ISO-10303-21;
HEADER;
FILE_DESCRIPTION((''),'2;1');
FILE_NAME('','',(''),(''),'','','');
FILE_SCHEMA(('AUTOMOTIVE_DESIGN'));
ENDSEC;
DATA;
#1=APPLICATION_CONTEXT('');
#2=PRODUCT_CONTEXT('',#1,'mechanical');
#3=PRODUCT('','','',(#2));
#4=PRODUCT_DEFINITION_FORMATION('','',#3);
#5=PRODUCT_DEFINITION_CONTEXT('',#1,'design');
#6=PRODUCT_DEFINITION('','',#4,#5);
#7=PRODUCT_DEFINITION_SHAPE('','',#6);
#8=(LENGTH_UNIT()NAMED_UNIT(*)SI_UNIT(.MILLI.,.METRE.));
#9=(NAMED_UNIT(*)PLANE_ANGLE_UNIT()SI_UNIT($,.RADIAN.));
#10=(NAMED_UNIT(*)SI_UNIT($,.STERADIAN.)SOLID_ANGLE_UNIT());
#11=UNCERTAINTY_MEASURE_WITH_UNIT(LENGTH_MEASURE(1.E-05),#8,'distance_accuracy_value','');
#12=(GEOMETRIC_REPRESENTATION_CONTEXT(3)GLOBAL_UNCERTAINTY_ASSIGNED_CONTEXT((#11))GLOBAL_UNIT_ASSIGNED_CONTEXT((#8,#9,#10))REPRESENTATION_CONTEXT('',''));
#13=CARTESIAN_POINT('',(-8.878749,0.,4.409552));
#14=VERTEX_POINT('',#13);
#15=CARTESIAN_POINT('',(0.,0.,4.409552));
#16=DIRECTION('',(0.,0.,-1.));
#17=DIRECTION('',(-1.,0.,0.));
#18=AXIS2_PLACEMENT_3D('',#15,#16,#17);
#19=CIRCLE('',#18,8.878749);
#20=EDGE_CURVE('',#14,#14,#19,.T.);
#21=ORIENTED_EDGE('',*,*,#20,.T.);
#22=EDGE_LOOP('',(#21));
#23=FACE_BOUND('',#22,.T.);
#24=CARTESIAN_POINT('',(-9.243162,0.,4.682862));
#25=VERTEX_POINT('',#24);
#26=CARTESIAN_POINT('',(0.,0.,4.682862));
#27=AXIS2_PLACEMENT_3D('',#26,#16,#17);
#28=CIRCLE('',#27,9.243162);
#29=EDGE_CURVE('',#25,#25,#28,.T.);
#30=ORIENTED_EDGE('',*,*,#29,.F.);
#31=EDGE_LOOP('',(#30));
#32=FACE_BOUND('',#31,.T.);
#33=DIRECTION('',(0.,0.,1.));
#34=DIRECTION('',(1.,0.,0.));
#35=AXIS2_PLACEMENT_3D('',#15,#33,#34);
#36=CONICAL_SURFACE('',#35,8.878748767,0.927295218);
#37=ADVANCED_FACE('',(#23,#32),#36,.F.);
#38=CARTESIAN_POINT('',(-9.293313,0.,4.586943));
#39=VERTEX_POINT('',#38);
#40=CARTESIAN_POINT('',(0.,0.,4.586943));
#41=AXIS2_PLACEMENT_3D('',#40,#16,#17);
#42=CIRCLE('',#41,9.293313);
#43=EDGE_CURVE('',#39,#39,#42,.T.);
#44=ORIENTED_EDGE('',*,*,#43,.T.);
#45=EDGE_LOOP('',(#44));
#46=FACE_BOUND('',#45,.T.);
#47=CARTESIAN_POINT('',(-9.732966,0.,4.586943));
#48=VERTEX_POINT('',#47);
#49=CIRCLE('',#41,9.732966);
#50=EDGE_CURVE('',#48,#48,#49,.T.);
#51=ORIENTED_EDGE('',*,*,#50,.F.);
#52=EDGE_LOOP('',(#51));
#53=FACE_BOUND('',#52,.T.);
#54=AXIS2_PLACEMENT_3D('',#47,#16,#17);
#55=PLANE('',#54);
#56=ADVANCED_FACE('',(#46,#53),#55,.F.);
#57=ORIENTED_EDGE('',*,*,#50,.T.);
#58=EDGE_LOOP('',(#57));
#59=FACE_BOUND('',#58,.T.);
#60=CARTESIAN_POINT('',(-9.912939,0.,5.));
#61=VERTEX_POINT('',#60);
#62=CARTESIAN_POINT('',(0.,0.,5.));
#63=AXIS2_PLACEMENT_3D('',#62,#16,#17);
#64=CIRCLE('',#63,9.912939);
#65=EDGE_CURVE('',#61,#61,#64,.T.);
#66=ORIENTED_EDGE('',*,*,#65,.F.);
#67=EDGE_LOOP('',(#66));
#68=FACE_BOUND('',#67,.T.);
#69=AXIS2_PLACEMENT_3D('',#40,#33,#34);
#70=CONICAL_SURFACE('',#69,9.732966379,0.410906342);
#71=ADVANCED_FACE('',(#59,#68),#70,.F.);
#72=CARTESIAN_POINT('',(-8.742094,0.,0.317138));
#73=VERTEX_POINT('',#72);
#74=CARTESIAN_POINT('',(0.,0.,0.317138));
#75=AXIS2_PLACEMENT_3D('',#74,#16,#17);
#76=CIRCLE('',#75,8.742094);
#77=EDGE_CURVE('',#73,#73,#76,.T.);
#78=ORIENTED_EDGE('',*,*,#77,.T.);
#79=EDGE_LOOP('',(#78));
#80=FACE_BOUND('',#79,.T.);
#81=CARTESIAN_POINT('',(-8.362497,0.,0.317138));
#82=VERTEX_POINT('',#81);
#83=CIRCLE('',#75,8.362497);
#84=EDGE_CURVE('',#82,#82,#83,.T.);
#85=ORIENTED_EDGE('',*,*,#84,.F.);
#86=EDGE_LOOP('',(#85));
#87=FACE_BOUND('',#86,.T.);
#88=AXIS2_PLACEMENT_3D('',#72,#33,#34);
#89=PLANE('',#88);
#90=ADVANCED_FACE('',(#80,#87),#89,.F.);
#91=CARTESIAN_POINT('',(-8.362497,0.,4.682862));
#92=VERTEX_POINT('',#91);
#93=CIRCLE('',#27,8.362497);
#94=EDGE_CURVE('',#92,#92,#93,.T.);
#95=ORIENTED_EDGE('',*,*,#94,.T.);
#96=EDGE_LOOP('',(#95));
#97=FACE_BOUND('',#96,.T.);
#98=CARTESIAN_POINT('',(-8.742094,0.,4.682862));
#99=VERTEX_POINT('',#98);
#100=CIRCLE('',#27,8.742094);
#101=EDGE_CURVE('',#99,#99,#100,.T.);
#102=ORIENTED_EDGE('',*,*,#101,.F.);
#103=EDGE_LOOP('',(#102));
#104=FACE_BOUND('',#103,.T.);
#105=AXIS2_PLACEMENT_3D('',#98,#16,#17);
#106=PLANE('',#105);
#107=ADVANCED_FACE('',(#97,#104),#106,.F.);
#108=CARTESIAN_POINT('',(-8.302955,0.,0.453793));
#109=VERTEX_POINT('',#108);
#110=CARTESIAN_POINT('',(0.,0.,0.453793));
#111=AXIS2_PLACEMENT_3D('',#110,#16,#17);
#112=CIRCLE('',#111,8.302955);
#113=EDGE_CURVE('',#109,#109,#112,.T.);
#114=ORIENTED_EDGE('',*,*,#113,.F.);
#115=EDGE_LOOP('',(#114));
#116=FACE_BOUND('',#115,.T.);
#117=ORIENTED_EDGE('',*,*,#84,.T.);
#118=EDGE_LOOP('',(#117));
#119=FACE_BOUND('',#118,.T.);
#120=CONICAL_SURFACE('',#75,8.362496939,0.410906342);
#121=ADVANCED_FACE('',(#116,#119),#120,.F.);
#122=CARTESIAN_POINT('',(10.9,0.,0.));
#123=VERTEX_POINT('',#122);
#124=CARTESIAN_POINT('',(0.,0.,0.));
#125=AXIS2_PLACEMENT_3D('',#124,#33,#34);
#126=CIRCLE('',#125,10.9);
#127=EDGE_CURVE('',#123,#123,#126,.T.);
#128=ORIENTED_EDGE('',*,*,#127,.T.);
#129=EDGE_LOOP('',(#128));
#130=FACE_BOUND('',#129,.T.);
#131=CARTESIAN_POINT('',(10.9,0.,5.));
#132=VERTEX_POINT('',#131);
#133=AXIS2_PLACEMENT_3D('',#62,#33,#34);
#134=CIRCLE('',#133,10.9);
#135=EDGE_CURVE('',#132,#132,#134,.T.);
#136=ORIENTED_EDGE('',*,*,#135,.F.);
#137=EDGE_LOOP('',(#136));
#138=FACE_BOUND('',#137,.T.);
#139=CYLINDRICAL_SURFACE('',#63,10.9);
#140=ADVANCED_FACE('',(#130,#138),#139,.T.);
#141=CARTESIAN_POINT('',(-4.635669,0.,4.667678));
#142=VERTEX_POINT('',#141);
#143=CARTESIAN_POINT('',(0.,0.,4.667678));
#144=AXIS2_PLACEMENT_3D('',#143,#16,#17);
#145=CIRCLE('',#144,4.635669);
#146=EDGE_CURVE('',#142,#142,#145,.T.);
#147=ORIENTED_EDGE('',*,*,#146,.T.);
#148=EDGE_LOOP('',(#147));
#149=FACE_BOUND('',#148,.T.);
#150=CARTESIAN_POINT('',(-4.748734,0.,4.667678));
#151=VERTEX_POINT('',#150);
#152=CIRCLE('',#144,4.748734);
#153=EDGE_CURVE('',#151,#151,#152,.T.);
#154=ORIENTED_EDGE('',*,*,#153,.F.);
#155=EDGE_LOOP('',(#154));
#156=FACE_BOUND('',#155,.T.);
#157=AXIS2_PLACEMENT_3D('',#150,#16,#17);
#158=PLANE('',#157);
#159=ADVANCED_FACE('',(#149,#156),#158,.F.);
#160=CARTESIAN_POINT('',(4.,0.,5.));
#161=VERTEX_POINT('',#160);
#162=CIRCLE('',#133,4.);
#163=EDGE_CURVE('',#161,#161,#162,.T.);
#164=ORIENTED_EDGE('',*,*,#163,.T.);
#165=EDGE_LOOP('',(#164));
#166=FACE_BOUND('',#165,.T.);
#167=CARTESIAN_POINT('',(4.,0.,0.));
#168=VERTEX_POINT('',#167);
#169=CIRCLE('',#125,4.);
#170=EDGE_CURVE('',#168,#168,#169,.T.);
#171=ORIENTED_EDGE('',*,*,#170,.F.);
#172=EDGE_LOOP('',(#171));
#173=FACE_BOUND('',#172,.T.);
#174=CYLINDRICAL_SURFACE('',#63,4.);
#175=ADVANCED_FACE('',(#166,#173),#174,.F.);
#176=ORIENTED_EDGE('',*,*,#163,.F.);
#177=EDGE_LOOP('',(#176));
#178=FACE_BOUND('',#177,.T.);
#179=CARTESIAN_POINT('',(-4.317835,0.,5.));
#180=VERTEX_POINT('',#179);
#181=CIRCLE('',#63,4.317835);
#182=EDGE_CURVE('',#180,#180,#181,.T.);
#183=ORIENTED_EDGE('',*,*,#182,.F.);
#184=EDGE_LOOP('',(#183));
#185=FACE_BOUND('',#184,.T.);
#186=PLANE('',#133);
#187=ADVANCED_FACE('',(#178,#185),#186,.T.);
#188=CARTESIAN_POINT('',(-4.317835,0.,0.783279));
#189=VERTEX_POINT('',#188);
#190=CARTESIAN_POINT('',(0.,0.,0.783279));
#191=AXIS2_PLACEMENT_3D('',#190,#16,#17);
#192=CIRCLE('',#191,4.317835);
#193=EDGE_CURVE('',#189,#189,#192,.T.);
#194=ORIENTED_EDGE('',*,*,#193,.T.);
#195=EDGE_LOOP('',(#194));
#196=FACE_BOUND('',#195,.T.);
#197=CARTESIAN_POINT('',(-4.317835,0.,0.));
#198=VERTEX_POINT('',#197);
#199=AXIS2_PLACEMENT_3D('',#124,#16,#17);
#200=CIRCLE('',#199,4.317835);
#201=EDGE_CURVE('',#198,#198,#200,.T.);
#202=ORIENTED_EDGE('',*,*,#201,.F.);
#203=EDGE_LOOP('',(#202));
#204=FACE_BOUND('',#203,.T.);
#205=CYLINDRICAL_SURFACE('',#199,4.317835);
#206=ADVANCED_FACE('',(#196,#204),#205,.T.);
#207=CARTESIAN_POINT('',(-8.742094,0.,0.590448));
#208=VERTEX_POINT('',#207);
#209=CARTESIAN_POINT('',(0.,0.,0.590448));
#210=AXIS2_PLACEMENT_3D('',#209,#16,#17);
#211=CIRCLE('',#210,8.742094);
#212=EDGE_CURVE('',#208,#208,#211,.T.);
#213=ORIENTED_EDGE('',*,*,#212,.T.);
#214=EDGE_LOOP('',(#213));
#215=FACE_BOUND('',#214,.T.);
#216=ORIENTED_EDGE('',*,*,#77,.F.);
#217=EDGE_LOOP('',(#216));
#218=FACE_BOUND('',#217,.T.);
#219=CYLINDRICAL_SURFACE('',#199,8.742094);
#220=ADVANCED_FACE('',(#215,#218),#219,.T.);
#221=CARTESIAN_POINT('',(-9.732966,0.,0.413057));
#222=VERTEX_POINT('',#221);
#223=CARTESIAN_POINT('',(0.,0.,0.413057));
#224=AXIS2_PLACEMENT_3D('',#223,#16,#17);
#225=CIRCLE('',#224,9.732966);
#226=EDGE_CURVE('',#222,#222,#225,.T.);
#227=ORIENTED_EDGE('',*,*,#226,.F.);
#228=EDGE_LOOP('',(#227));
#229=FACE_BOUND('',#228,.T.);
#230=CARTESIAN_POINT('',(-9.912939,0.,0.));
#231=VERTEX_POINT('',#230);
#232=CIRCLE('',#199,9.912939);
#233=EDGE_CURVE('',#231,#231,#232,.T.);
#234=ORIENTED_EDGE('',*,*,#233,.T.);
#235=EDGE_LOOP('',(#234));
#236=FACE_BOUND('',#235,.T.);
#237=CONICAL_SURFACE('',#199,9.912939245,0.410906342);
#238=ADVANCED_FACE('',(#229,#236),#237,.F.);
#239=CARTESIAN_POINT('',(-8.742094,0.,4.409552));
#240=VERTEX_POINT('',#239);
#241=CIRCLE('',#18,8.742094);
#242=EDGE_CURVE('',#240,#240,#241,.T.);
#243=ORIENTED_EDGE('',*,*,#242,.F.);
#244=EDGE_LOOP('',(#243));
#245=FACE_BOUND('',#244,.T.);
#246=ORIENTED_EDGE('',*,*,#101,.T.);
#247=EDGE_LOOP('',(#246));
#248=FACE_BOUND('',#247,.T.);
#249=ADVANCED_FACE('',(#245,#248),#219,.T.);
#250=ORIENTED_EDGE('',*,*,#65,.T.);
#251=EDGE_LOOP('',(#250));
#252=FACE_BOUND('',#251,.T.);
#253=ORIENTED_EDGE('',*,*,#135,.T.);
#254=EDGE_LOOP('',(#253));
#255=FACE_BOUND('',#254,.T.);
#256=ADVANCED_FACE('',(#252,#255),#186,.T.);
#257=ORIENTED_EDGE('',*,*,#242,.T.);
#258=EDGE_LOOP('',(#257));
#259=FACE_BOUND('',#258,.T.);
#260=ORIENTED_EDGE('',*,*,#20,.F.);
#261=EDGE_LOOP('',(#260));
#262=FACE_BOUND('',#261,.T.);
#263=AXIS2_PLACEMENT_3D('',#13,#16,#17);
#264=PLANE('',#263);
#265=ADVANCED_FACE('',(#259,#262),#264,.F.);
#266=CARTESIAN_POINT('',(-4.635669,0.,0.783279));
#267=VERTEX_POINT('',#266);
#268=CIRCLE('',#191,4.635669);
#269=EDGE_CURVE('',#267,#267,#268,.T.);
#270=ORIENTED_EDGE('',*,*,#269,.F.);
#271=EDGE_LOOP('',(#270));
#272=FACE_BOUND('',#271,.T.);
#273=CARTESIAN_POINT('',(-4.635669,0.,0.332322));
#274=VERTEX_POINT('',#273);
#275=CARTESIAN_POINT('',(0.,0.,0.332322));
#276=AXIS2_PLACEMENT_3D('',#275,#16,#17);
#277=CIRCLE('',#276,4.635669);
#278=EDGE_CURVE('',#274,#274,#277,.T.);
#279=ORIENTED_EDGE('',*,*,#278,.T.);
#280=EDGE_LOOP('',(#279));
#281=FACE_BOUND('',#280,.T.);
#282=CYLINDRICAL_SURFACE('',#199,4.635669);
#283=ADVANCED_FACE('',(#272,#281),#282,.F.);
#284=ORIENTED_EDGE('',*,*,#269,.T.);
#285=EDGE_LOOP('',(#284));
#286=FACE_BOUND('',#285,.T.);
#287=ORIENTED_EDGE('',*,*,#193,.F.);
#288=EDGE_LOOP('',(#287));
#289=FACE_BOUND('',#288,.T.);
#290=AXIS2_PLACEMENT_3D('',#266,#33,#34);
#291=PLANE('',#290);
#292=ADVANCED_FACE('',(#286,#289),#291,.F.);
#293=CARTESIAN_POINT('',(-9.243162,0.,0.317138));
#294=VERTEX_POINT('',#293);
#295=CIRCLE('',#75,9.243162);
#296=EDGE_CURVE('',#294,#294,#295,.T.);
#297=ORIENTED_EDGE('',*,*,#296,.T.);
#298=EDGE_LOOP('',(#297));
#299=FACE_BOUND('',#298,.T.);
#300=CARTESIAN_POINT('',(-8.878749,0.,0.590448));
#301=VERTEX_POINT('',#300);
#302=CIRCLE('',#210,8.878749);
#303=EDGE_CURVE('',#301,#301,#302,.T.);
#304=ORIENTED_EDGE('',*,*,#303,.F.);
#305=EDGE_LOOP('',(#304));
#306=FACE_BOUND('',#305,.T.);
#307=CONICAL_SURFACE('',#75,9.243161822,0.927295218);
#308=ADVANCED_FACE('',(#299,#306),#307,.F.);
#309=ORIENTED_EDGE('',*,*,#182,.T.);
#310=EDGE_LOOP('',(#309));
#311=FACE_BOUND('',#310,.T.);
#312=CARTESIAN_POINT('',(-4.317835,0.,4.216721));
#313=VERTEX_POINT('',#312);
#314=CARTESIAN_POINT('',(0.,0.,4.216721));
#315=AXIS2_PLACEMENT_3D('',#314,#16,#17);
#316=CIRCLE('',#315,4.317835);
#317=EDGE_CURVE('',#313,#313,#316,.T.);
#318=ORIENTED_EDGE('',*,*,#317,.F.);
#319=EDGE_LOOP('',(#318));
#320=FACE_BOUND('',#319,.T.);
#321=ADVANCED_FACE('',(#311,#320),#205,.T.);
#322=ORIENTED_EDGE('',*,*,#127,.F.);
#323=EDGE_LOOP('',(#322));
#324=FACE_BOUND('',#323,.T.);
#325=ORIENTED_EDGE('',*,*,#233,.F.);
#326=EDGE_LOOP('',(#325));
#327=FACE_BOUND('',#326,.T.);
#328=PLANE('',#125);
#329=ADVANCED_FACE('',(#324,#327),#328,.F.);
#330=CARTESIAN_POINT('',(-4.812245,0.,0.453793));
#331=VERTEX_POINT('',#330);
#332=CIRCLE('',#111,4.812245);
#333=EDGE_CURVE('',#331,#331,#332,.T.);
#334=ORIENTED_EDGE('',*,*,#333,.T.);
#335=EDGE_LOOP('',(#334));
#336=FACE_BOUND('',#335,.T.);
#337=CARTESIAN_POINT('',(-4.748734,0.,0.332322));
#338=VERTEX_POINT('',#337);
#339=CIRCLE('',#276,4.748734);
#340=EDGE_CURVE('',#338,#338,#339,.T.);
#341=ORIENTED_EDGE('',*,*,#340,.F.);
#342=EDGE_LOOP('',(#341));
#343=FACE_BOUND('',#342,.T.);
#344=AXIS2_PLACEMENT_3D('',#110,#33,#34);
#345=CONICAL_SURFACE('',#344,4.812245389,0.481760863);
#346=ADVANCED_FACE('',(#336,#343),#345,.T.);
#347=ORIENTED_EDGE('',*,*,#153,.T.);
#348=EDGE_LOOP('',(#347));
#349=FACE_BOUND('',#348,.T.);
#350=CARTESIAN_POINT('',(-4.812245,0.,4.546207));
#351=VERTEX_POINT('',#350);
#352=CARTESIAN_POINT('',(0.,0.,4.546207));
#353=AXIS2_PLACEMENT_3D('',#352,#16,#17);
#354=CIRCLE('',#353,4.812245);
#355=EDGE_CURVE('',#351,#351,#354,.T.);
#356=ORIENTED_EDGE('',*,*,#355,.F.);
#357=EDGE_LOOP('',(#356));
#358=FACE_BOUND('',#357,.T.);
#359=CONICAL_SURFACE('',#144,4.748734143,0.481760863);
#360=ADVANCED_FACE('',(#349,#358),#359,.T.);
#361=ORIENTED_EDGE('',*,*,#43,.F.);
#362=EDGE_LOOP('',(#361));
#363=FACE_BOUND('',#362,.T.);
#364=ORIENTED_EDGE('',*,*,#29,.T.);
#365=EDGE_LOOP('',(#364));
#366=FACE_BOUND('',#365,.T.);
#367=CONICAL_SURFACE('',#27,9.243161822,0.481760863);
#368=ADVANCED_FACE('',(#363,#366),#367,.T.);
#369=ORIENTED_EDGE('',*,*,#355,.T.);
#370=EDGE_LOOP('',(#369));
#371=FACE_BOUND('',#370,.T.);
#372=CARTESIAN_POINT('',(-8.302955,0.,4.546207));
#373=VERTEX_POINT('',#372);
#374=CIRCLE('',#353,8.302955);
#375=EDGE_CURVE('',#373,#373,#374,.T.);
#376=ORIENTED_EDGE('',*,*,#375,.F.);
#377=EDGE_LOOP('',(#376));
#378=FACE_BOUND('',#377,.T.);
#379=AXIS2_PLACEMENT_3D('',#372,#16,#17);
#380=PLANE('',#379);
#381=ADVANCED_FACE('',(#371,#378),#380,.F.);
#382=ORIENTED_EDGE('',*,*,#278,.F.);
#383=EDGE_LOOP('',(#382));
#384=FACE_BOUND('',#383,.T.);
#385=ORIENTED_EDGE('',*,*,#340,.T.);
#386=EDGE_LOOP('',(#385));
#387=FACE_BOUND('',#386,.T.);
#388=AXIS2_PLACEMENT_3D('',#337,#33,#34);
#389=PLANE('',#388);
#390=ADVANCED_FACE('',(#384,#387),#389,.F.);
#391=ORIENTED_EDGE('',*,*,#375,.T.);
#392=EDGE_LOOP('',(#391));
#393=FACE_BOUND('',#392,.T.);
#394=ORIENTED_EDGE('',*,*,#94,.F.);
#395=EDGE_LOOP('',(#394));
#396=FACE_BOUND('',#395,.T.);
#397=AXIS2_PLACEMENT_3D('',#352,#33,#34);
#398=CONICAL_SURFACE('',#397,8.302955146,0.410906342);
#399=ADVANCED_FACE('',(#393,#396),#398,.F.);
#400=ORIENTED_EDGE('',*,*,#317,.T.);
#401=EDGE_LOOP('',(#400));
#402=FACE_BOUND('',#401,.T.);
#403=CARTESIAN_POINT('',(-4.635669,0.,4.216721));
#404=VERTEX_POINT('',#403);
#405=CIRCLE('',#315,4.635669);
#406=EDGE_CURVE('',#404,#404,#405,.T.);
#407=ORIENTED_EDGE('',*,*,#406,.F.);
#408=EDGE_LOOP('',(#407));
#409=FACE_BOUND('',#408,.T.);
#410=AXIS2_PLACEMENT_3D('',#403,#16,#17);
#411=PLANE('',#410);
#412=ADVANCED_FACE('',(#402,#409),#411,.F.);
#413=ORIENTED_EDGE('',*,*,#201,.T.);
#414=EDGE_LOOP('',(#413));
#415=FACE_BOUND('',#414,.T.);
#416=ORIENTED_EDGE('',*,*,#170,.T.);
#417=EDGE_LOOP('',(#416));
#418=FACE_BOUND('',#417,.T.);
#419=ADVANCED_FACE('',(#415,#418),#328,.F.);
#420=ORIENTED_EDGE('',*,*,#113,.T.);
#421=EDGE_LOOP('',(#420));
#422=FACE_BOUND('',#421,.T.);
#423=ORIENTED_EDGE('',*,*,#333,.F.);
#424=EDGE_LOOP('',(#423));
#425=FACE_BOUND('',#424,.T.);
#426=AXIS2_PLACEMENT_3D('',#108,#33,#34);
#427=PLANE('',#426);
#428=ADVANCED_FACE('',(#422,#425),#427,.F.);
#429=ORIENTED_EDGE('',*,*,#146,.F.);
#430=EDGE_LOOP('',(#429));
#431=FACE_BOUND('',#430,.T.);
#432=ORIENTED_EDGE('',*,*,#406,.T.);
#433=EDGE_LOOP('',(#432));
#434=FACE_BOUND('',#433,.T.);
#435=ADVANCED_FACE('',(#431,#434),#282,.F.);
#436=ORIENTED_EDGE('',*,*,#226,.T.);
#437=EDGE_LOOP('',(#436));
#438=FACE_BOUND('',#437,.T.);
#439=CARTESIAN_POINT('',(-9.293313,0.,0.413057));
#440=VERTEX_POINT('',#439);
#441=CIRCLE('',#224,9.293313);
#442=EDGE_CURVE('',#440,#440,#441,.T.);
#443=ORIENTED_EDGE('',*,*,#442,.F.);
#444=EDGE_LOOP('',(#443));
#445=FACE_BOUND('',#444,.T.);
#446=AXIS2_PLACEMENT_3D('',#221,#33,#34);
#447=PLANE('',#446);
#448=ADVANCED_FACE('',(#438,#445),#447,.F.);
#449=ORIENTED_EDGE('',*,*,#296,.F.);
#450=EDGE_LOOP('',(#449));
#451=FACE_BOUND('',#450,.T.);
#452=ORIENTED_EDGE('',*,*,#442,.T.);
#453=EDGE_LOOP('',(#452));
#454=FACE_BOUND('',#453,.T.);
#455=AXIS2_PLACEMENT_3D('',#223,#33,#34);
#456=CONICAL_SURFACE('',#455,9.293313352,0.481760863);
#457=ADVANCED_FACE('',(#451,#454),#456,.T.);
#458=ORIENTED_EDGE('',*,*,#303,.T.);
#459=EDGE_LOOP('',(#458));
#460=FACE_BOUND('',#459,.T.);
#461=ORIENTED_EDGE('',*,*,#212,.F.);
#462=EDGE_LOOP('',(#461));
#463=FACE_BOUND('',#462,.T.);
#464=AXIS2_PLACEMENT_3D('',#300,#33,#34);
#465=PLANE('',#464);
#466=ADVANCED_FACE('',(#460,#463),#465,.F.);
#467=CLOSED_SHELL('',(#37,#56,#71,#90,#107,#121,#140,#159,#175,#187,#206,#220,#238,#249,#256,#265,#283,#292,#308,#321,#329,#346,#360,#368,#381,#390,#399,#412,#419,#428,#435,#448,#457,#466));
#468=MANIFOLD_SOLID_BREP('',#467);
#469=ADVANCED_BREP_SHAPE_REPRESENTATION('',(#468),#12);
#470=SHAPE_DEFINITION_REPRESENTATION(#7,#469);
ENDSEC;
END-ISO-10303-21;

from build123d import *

# Parameters (mm, degrees)
SKETCH1_R           = 10.9
SKETCH1_R_2         = 4
BOSS_EXTRUDE1_DEPTH = 5


with BuildPart() as part:
    # Sketch1 → Boss-Extrude1 (new body)
    with BuildSketch(Plane.XY):
        Circle(SKETCH1_R)
        Circle(SKETCH1_R_2, mode=Mode.SUBTRACT)
    extrude(amount=BOSS_EXTRUDE1_DEPTH)

    # Sketch2 → Cut-Revolve1 (revolve, cut)
    with BuildSketch(Plane(origin=(0, 0, 0), x_dir=(1, 0, 0), z_dir=(0, 1, 0))):
        Polygon((-10.9, -5), (-9.912939245, -5), (-9.732966379, -4.586942685), (-9.293313352, -4.586942685), (-9.243161822, -4.682862035), (-8.878748767, -4.409552244), (-8.742093871, -4.409552244), (-8.742093871, -4.682862035), (-8.362496939, -4.682862035), (-8.302955146, -4.546207139), (-4.812245389, -4.546207139), (-4.748734143, -4.667678158), (-4.635669369, -4.667678158), (-4.635669369, -4.21672133), (-4.317834685, -4.21672133), (-4.317834685, -5), (-6.380746686, -5.704606556), (-10.9, -5.809210272), align=None)
        Polygon((-6.380746686, 0.704606556), (-4.317834685, 0), (-4.317834685, -0.78327867), (-4.635669369, -0.78327867), (-4.635669369, -0.332321842), (-4.748734143, -0.332321842), (-4.812245389, -0.453792861), (-8.302955146, -0.453792861), (-8.362496939, -0.317137965), (-8.742093871, -0.317137965), (-8.742093871, -0.590447756), (-8.878748767, -0.590447756), (-9.243161822, -0.317137965), (-9.293313352, -0.413057315), (-9.732966379, -0.413057315), (-9.912939245, 0), (-10.9, 0), (-10.9, 0.809210272), align=None)
    revolve(axis=Axis((0, 0, 0), (0, 0, 1)), mode=Mode.SUBTRACT)


solid = part.part
